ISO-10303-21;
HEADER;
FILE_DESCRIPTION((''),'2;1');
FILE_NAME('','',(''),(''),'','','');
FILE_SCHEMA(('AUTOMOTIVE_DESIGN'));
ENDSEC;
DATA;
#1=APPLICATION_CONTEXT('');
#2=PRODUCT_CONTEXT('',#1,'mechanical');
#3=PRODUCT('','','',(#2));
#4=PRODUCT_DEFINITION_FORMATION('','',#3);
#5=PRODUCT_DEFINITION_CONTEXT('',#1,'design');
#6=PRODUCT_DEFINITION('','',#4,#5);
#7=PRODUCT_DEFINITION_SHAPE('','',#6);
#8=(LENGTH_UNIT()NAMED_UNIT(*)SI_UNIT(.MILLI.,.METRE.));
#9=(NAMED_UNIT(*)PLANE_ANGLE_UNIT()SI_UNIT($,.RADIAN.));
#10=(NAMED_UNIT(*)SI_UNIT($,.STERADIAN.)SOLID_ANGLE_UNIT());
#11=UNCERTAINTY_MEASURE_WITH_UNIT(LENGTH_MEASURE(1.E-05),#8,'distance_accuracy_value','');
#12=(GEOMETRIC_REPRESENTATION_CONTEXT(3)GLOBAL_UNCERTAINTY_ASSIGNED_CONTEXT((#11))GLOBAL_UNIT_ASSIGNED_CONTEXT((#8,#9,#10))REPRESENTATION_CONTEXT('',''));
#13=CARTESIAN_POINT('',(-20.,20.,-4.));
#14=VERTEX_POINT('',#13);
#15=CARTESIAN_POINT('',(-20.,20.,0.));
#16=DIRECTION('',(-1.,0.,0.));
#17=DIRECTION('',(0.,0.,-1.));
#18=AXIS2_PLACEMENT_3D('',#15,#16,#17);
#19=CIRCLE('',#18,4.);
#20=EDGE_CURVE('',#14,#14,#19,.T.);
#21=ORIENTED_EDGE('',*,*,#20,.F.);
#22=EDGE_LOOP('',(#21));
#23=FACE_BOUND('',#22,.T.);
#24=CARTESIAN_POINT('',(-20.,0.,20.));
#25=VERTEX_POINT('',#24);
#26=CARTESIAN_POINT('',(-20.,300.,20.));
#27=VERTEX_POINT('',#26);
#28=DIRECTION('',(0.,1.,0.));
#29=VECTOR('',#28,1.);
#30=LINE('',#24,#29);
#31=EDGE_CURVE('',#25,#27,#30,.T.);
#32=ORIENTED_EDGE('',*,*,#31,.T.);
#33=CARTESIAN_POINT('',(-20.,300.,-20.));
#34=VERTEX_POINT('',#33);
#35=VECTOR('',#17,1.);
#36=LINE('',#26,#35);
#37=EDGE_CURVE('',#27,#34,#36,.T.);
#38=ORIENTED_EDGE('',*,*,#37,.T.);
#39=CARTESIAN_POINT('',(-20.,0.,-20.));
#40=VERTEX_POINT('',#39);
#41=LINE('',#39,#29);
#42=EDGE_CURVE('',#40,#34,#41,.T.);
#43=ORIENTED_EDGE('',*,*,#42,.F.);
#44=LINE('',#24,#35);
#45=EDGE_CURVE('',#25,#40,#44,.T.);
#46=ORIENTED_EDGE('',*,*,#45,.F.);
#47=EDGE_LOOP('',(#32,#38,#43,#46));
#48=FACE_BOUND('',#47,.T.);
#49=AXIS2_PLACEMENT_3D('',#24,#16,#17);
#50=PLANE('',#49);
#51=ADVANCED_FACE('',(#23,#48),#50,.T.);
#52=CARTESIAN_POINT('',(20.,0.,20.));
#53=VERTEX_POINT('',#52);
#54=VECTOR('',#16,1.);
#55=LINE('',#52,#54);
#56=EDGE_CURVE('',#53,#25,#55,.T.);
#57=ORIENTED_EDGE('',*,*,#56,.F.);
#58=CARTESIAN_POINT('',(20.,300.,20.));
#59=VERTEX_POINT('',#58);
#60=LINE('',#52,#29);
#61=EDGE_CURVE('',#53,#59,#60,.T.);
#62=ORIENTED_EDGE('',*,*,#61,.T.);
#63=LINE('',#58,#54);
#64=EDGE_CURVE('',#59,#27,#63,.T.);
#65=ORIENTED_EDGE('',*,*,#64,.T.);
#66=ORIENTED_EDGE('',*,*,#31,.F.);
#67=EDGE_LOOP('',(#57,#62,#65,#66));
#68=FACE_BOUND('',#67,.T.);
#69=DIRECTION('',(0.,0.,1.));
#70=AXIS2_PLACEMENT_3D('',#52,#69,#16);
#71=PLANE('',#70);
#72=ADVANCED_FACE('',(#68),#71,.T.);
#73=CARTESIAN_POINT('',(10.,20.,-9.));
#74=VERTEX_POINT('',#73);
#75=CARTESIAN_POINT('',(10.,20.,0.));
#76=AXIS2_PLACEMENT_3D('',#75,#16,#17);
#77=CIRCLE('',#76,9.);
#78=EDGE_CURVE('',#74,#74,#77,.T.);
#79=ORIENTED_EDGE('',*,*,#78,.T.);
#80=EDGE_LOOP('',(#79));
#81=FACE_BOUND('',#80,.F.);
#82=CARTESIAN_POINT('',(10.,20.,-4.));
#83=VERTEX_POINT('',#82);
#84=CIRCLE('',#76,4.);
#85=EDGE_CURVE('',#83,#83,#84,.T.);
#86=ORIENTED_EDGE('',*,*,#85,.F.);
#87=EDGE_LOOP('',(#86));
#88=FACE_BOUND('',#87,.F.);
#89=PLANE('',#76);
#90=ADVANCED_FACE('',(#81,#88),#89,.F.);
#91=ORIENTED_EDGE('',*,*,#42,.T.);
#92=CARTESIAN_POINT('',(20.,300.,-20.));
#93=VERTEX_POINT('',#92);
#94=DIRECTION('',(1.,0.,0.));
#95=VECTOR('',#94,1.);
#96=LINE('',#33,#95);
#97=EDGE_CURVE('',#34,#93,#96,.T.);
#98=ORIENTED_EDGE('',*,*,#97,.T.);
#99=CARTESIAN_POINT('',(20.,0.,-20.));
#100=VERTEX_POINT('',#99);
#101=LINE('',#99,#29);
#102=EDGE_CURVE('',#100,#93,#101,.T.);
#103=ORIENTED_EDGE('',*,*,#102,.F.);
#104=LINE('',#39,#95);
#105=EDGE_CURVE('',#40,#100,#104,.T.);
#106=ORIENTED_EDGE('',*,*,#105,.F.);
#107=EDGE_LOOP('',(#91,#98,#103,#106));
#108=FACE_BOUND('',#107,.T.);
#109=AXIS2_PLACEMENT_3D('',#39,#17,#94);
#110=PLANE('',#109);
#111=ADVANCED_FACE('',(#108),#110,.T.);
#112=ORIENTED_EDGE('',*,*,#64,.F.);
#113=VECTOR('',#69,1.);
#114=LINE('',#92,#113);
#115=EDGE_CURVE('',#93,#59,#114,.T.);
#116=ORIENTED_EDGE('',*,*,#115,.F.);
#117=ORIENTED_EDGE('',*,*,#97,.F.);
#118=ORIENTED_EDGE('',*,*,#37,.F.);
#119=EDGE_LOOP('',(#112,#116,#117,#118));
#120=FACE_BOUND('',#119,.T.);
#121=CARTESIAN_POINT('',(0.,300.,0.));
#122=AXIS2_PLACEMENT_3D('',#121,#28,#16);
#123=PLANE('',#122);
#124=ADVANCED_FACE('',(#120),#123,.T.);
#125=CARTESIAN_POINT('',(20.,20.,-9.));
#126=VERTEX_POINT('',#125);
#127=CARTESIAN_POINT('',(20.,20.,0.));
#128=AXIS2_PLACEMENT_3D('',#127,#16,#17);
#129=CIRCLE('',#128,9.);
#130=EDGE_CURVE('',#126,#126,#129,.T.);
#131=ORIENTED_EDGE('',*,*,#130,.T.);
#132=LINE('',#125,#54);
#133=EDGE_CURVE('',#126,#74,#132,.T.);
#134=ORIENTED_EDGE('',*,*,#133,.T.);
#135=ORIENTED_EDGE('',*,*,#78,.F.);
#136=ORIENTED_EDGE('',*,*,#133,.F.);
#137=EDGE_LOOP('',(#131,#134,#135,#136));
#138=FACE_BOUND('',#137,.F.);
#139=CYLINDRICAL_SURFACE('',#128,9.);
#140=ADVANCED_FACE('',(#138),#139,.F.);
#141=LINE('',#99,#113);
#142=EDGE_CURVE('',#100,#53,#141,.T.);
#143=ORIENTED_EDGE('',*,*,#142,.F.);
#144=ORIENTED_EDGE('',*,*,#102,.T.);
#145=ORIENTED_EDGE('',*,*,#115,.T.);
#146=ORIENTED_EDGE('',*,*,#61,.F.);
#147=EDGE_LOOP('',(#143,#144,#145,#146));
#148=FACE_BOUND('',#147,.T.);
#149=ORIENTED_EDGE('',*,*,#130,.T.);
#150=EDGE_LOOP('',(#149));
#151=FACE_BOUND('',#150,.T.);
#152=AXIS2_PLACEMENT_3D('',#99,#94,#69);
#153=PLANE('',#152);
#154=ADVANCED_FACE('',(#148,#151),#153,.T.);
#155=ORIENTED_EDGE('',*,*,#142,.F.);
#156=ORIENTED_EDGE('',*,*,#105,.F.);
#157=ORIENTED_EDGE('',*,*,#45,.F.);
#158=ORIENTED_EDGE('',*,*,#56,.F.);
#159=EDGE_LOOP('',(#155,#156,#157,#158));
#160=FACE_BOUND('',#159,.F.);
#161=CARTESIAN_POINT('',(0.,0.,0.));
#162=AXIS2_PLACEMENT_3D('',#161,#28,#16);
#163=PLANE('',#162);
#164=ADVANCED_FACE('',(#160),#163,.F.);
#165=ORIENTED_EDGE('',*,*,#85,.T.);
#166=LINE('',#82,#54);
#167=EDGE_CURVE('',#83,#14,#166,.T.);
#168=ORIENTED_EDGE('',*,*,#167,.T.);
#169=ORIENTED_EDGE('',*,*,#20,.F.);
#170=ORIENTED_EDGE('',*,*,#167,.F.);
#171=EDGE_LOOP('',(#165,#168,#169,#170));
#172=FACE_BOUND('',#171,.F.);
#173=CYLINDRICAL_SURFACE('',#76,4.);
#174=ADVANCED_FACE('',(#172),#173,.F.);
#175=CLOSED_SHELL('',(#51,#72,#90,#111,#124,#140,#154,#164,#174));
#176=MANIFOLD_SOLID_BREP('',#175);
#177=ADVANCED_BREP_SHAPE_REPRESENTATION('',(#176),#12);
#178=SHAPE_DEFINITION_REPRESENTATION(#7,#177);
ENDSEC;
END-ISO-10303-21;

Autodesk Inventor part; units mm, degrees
ref_plane "YZ Plane" through (0, 0, 0) normal (1, 0, 0) x (0, 1, 0)
ref_plane "XZ Plane" through (0, 0, 0) normal (0, 1, 0) x (-1, 0, 0)
ref_plane "XY Plane" through (0, 0, 0) normal (0, 0, 1) x (1, 0, 0)
sketch "Skizze1" plane through (0, 0, 0) normal (0, 1, 0) x (-1, 0, 0)
  line L0 (-20, 20) -> (20, 20)
  line L1 (20, 20) -> (20, -20)
  line L2 (20, -20) -> (-20, -20)
  line L3 (-20, -20) -> (-20, 20)
  line L4 (-20, 20) -> (20, -20) construction
  line L5 (20, 20) -> (-20, -20) construction
  point P0 (0, 0)
  dimension "d2" = 40
  dimension "d3" = 40
extrude "Extrusion1" add sketch "Skizze1" along normal blind 300
sketch "Skizze2" plane through (20, 0, 20) normal (1, 0, 0) x (0, 0, -1)
  line L0 (0, 0) -> (40, 0) projected
  point P0 (20, 0)
  point P1 (20, 20)
  point P2 (20, 0)
  dimension "d4" = 20
hole "Bohrung1" at (20, 20, 0) direction (-1, 0, 0) diameter 8 end through all counterbore diameter 18 counterbore depth 10
equation "\"d3\" = d2"
properties part number "Adrian_Cameraarmseiten"
